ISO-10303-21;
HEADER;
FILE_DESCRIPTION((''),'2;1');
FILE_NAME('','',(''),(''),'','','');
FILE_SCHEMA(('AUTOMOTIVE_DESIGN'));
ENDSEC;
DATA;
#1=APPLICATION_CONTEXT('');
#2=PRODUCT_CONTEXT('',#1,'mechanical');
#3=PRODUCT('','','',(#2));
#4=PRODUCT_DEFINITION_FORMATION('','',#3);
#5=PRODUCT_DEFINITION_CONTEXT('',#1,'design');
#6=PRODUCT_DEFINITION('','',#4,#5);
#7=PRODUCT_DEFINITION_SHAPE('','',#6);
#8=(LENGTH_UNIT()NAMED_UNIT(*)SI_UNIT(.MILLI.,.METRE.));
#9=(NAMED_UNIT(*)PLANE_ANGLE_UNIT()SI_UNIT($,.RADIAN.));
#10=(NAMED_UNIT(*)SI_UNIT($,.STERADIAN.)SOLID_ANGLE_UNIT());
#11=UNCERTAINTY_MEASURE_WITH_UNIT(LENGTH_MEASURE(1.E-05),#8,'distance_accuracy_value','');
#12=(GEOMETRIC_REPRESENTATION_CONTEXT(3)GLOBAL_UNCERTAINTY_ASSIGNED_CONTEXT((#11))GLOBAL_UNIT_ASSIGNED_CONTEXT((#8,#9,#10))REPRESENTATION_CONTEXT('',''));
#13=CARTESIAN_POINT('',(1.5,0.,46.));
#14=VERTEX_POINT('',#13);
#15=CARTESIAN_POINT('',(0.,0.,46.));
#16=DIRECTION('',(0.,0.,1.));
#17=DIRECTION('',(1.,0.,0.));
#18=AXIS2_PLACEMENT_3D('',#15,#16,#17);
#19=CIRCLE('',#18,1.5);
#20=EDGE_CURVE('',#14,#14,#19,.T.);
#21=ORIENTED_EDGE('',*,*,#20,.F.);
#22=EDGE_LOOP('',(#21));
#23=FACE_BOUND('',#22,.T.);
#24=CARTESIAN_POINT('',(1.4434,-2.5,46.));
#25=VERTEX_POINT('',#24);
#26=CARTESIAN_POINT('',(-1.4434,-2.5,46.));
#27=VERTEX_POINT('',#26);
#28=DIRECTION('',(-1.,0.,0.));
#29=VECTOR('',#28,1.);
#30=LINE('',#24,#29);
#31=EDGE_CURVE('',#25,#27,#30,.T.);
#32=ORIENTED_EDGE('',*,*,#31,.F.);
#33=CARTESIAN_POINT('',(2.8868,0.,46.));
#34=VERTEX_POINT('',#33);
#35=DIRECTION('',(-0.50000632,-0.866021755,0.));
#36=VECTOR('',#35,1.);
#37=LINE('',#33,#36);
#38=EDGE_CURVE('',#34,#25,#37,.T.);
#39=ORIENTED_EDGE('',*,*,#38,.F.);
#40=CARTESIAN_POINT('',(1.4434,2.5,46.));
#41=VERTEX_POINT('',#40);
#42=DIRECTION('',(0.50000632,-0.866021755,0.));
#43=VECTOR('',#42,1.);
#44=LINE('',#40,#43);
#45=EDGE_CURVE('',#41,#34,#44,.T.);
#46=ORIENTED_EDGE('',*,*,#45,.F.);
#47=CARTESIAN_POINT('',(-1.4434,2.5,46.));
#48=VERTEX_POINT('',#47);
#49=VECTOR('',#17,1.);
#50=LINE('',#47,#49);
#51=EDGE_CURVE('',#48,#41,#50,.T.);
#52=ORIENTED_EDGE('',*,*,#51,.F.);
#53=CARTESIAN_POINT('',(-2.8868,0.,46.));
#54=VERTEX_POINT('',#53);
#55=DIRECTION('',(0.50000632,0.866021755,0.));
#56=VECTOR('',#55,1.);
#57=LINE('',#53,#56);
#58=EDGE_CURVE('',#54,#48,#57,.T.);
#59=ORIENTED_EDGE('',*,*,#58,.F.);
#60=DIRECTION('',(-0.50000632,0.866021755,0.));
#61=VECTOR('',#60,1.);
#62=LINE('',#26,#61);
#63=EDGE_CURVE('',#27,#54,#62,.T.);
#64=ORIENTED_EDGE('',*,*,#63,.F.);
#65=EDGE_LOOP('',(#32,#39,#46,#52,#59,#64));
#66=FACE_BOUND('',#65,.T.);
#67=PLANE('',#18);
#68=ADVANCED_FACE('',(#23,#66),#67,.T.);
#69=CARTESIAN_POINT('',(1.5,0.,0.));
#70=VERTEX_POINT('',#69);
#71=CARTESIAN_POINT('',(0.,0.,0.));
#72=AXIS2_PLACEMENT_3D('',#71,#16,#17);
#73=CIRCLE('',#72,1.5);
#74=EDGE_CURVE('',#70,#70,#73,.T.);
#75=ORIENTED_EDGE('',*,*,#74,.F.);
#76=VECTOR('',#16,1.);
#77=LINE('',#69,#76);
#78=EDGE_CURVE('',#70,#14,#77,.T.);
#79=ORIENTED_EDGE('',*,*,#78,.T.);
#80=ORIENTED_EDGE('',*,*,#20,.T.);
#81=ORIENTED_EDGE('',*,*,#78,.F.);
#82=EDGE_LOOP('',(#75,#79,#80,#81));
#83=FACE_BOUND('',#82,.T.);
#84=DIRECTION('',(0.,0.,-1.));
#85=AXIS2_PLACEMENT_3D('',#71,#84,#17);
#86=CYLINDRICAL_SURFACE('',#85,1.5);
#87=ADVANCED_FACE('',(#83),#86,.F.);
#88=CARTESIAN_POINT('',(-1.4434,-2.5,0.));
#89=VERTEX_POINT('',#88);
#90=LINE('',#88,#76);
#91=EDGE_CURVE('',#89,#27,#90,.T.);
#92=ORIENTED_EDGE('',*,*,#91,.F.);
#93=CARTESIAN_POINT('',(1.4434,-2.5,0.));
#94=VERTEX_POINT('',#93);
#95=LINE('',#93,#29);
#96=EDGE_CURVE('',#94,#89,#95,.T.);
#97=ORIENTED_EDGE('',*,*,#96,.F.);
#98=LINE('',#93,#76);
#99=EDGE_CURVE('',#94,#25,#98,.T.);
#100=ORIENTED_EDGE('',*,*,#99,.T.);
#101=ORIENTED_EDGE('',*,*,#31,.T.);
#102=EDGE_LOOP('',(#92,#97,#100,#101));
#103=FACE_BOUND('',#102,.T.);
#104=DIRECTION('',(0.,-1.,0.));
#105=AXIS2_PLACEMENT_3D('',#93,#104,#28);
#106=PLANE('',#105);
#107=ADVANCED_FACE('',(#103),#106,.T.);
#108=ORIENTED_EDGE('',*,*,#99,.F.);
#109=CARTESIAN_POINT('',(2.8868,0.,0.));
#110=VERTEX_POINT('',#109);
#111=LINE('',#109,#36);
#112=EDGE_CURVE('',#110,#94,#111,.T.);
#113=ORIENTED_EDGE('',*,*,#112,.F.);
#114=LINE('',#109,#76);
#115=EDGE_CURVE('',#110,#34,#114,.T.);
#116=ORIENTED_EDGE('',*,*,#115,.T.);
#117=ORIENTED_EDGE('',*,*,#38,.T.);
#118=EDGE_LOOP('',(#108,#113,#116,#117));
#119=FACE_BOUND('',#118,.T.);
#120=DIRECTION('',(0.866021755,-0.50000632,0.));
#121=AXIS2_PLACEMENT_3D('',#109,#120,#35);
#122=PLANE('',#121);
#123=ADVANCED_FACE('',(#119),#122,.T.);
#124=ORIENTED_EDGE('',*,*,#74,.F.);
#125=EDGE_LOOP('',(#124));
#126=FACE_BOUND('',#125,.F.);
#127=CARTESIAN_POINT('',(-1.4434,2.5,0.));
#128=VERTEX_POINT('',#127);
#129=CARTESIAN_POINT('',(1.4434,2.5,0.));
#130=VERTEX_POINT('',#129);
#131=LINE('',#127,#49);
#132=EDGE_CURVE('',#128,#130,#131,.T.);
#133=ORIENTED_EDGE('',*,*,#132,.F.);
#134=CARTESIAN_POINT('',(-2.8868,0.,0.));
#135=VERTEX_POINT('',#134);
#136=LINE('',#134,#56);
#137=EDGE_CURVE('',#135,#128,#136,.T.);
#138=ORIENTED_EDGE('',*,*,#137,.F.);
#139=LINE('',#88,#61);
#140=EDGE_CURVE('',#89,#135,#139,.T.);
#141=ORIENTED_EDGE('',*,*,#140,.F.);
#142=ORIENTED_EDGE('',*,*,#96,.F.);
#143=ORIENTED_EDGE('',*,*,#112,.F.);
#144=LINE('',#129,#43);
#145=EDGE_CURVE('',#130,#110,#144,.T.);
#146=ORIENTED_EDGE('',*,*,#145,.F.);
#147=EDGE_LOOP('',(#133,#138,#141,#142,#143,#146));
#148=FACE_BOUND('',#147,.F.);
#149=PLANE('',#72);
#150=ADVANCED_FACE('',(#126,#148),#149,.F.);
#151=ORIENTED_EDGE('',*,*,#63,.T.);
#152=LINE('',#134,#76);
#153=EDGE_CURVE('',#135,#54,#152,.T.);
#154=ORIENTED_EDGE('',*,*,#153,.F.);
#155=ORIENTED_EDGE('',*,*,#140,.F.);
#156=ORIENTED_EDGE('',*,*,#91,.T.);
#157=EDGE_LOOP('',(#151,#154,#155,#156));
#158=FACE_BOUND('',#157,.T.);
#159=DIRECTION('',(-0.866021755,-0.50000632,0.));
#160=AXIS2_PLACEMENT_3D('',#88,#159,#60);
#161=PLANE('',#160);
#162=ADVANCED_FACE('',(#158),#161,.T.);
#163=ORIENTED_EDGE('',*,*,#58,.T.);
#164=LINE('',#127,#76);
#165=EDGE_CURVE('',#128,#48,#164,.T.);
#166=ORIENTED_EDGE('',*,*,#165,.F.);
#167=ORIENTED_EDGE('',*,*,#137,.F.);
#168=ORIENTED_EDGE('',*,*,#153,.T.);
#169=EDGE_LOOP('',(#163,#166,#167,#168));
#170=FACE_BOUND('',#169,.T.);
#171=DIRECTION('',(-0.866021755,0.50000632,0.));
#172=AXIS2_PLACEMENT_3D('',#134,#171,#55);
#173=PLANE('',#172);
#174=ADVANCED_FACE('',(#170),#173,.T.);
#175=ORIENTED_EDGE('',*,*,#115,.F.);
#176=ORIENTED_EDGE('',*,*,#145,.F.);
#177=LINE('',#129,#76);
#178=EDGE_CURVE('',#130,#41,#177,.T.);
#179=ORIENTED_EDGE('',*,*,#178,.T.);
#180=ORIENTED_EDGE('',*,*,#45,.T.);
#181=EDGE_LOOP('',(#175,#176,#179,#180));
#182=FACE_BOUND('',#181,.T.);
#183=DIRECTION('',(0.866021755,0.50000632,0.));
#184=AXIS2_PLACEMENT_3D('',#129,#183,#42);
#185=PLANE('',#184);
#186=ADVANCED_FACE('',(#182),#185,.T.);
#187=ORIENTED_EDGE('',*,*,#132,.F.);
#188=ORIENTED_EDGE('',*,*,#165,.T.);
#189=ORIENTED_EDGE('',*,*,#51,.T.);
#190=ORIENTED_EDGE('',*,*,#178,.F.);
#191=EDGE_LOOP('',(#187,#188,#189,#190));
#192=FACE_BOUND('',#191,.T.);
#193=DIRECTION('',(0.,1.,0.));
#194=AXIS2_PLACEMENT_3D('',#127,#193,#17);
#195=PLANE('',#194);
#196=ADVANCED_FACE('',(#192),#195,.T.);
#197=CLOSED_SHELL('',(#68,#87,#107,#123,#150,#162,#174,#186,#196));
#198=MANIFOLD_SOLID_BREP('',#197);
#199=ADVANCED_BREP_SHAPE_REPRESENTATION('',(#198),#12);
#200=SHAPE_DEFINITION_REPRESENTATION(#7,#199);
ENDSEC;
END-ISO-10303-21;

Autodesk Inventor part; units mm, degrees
ref_plane "YZ Plane" through (0, 0, 0) normal (1, 0, 0) x (0, 1, 0)
ref_plane "XZ Plane" through (0, 0, 0) normal (0, 1, 0) x (-1, 0, 0)
ref_plane "XY Plane" through (0, 0, 0) normal (0, 0, 1) x (1, 0, 0)
sketch "Sketch1" plane through (0, 0, 0) normal (0, 0, 1) x (1, 0, 0)
  line L0 (1.4434, 2.5) -> (2.8868, 0)
  line L1 (2.8868, 0) -> (1.4434, -2.5)
  line L2 (1.4434, -2.5) -> (-1.4434, -2.5)
  line L3 (-1.4434, -2.5) -> (-2.8868, 0)
  line L4 (-2.8868, 0) -> (-1.4434, 2.5)
  line L5 (-1.4434, 2.5) -> (1.4434, 2.5)
  circle A0 centre (0, 0) radius 1.5
  dimension "d0" = 5
  dimension "d1" = 3
extrude "Extrusion1" add sketch "Sketch1" along normal blind 46
properties part number "Spacer_46mm" material "Brass, Soft Yellow"
